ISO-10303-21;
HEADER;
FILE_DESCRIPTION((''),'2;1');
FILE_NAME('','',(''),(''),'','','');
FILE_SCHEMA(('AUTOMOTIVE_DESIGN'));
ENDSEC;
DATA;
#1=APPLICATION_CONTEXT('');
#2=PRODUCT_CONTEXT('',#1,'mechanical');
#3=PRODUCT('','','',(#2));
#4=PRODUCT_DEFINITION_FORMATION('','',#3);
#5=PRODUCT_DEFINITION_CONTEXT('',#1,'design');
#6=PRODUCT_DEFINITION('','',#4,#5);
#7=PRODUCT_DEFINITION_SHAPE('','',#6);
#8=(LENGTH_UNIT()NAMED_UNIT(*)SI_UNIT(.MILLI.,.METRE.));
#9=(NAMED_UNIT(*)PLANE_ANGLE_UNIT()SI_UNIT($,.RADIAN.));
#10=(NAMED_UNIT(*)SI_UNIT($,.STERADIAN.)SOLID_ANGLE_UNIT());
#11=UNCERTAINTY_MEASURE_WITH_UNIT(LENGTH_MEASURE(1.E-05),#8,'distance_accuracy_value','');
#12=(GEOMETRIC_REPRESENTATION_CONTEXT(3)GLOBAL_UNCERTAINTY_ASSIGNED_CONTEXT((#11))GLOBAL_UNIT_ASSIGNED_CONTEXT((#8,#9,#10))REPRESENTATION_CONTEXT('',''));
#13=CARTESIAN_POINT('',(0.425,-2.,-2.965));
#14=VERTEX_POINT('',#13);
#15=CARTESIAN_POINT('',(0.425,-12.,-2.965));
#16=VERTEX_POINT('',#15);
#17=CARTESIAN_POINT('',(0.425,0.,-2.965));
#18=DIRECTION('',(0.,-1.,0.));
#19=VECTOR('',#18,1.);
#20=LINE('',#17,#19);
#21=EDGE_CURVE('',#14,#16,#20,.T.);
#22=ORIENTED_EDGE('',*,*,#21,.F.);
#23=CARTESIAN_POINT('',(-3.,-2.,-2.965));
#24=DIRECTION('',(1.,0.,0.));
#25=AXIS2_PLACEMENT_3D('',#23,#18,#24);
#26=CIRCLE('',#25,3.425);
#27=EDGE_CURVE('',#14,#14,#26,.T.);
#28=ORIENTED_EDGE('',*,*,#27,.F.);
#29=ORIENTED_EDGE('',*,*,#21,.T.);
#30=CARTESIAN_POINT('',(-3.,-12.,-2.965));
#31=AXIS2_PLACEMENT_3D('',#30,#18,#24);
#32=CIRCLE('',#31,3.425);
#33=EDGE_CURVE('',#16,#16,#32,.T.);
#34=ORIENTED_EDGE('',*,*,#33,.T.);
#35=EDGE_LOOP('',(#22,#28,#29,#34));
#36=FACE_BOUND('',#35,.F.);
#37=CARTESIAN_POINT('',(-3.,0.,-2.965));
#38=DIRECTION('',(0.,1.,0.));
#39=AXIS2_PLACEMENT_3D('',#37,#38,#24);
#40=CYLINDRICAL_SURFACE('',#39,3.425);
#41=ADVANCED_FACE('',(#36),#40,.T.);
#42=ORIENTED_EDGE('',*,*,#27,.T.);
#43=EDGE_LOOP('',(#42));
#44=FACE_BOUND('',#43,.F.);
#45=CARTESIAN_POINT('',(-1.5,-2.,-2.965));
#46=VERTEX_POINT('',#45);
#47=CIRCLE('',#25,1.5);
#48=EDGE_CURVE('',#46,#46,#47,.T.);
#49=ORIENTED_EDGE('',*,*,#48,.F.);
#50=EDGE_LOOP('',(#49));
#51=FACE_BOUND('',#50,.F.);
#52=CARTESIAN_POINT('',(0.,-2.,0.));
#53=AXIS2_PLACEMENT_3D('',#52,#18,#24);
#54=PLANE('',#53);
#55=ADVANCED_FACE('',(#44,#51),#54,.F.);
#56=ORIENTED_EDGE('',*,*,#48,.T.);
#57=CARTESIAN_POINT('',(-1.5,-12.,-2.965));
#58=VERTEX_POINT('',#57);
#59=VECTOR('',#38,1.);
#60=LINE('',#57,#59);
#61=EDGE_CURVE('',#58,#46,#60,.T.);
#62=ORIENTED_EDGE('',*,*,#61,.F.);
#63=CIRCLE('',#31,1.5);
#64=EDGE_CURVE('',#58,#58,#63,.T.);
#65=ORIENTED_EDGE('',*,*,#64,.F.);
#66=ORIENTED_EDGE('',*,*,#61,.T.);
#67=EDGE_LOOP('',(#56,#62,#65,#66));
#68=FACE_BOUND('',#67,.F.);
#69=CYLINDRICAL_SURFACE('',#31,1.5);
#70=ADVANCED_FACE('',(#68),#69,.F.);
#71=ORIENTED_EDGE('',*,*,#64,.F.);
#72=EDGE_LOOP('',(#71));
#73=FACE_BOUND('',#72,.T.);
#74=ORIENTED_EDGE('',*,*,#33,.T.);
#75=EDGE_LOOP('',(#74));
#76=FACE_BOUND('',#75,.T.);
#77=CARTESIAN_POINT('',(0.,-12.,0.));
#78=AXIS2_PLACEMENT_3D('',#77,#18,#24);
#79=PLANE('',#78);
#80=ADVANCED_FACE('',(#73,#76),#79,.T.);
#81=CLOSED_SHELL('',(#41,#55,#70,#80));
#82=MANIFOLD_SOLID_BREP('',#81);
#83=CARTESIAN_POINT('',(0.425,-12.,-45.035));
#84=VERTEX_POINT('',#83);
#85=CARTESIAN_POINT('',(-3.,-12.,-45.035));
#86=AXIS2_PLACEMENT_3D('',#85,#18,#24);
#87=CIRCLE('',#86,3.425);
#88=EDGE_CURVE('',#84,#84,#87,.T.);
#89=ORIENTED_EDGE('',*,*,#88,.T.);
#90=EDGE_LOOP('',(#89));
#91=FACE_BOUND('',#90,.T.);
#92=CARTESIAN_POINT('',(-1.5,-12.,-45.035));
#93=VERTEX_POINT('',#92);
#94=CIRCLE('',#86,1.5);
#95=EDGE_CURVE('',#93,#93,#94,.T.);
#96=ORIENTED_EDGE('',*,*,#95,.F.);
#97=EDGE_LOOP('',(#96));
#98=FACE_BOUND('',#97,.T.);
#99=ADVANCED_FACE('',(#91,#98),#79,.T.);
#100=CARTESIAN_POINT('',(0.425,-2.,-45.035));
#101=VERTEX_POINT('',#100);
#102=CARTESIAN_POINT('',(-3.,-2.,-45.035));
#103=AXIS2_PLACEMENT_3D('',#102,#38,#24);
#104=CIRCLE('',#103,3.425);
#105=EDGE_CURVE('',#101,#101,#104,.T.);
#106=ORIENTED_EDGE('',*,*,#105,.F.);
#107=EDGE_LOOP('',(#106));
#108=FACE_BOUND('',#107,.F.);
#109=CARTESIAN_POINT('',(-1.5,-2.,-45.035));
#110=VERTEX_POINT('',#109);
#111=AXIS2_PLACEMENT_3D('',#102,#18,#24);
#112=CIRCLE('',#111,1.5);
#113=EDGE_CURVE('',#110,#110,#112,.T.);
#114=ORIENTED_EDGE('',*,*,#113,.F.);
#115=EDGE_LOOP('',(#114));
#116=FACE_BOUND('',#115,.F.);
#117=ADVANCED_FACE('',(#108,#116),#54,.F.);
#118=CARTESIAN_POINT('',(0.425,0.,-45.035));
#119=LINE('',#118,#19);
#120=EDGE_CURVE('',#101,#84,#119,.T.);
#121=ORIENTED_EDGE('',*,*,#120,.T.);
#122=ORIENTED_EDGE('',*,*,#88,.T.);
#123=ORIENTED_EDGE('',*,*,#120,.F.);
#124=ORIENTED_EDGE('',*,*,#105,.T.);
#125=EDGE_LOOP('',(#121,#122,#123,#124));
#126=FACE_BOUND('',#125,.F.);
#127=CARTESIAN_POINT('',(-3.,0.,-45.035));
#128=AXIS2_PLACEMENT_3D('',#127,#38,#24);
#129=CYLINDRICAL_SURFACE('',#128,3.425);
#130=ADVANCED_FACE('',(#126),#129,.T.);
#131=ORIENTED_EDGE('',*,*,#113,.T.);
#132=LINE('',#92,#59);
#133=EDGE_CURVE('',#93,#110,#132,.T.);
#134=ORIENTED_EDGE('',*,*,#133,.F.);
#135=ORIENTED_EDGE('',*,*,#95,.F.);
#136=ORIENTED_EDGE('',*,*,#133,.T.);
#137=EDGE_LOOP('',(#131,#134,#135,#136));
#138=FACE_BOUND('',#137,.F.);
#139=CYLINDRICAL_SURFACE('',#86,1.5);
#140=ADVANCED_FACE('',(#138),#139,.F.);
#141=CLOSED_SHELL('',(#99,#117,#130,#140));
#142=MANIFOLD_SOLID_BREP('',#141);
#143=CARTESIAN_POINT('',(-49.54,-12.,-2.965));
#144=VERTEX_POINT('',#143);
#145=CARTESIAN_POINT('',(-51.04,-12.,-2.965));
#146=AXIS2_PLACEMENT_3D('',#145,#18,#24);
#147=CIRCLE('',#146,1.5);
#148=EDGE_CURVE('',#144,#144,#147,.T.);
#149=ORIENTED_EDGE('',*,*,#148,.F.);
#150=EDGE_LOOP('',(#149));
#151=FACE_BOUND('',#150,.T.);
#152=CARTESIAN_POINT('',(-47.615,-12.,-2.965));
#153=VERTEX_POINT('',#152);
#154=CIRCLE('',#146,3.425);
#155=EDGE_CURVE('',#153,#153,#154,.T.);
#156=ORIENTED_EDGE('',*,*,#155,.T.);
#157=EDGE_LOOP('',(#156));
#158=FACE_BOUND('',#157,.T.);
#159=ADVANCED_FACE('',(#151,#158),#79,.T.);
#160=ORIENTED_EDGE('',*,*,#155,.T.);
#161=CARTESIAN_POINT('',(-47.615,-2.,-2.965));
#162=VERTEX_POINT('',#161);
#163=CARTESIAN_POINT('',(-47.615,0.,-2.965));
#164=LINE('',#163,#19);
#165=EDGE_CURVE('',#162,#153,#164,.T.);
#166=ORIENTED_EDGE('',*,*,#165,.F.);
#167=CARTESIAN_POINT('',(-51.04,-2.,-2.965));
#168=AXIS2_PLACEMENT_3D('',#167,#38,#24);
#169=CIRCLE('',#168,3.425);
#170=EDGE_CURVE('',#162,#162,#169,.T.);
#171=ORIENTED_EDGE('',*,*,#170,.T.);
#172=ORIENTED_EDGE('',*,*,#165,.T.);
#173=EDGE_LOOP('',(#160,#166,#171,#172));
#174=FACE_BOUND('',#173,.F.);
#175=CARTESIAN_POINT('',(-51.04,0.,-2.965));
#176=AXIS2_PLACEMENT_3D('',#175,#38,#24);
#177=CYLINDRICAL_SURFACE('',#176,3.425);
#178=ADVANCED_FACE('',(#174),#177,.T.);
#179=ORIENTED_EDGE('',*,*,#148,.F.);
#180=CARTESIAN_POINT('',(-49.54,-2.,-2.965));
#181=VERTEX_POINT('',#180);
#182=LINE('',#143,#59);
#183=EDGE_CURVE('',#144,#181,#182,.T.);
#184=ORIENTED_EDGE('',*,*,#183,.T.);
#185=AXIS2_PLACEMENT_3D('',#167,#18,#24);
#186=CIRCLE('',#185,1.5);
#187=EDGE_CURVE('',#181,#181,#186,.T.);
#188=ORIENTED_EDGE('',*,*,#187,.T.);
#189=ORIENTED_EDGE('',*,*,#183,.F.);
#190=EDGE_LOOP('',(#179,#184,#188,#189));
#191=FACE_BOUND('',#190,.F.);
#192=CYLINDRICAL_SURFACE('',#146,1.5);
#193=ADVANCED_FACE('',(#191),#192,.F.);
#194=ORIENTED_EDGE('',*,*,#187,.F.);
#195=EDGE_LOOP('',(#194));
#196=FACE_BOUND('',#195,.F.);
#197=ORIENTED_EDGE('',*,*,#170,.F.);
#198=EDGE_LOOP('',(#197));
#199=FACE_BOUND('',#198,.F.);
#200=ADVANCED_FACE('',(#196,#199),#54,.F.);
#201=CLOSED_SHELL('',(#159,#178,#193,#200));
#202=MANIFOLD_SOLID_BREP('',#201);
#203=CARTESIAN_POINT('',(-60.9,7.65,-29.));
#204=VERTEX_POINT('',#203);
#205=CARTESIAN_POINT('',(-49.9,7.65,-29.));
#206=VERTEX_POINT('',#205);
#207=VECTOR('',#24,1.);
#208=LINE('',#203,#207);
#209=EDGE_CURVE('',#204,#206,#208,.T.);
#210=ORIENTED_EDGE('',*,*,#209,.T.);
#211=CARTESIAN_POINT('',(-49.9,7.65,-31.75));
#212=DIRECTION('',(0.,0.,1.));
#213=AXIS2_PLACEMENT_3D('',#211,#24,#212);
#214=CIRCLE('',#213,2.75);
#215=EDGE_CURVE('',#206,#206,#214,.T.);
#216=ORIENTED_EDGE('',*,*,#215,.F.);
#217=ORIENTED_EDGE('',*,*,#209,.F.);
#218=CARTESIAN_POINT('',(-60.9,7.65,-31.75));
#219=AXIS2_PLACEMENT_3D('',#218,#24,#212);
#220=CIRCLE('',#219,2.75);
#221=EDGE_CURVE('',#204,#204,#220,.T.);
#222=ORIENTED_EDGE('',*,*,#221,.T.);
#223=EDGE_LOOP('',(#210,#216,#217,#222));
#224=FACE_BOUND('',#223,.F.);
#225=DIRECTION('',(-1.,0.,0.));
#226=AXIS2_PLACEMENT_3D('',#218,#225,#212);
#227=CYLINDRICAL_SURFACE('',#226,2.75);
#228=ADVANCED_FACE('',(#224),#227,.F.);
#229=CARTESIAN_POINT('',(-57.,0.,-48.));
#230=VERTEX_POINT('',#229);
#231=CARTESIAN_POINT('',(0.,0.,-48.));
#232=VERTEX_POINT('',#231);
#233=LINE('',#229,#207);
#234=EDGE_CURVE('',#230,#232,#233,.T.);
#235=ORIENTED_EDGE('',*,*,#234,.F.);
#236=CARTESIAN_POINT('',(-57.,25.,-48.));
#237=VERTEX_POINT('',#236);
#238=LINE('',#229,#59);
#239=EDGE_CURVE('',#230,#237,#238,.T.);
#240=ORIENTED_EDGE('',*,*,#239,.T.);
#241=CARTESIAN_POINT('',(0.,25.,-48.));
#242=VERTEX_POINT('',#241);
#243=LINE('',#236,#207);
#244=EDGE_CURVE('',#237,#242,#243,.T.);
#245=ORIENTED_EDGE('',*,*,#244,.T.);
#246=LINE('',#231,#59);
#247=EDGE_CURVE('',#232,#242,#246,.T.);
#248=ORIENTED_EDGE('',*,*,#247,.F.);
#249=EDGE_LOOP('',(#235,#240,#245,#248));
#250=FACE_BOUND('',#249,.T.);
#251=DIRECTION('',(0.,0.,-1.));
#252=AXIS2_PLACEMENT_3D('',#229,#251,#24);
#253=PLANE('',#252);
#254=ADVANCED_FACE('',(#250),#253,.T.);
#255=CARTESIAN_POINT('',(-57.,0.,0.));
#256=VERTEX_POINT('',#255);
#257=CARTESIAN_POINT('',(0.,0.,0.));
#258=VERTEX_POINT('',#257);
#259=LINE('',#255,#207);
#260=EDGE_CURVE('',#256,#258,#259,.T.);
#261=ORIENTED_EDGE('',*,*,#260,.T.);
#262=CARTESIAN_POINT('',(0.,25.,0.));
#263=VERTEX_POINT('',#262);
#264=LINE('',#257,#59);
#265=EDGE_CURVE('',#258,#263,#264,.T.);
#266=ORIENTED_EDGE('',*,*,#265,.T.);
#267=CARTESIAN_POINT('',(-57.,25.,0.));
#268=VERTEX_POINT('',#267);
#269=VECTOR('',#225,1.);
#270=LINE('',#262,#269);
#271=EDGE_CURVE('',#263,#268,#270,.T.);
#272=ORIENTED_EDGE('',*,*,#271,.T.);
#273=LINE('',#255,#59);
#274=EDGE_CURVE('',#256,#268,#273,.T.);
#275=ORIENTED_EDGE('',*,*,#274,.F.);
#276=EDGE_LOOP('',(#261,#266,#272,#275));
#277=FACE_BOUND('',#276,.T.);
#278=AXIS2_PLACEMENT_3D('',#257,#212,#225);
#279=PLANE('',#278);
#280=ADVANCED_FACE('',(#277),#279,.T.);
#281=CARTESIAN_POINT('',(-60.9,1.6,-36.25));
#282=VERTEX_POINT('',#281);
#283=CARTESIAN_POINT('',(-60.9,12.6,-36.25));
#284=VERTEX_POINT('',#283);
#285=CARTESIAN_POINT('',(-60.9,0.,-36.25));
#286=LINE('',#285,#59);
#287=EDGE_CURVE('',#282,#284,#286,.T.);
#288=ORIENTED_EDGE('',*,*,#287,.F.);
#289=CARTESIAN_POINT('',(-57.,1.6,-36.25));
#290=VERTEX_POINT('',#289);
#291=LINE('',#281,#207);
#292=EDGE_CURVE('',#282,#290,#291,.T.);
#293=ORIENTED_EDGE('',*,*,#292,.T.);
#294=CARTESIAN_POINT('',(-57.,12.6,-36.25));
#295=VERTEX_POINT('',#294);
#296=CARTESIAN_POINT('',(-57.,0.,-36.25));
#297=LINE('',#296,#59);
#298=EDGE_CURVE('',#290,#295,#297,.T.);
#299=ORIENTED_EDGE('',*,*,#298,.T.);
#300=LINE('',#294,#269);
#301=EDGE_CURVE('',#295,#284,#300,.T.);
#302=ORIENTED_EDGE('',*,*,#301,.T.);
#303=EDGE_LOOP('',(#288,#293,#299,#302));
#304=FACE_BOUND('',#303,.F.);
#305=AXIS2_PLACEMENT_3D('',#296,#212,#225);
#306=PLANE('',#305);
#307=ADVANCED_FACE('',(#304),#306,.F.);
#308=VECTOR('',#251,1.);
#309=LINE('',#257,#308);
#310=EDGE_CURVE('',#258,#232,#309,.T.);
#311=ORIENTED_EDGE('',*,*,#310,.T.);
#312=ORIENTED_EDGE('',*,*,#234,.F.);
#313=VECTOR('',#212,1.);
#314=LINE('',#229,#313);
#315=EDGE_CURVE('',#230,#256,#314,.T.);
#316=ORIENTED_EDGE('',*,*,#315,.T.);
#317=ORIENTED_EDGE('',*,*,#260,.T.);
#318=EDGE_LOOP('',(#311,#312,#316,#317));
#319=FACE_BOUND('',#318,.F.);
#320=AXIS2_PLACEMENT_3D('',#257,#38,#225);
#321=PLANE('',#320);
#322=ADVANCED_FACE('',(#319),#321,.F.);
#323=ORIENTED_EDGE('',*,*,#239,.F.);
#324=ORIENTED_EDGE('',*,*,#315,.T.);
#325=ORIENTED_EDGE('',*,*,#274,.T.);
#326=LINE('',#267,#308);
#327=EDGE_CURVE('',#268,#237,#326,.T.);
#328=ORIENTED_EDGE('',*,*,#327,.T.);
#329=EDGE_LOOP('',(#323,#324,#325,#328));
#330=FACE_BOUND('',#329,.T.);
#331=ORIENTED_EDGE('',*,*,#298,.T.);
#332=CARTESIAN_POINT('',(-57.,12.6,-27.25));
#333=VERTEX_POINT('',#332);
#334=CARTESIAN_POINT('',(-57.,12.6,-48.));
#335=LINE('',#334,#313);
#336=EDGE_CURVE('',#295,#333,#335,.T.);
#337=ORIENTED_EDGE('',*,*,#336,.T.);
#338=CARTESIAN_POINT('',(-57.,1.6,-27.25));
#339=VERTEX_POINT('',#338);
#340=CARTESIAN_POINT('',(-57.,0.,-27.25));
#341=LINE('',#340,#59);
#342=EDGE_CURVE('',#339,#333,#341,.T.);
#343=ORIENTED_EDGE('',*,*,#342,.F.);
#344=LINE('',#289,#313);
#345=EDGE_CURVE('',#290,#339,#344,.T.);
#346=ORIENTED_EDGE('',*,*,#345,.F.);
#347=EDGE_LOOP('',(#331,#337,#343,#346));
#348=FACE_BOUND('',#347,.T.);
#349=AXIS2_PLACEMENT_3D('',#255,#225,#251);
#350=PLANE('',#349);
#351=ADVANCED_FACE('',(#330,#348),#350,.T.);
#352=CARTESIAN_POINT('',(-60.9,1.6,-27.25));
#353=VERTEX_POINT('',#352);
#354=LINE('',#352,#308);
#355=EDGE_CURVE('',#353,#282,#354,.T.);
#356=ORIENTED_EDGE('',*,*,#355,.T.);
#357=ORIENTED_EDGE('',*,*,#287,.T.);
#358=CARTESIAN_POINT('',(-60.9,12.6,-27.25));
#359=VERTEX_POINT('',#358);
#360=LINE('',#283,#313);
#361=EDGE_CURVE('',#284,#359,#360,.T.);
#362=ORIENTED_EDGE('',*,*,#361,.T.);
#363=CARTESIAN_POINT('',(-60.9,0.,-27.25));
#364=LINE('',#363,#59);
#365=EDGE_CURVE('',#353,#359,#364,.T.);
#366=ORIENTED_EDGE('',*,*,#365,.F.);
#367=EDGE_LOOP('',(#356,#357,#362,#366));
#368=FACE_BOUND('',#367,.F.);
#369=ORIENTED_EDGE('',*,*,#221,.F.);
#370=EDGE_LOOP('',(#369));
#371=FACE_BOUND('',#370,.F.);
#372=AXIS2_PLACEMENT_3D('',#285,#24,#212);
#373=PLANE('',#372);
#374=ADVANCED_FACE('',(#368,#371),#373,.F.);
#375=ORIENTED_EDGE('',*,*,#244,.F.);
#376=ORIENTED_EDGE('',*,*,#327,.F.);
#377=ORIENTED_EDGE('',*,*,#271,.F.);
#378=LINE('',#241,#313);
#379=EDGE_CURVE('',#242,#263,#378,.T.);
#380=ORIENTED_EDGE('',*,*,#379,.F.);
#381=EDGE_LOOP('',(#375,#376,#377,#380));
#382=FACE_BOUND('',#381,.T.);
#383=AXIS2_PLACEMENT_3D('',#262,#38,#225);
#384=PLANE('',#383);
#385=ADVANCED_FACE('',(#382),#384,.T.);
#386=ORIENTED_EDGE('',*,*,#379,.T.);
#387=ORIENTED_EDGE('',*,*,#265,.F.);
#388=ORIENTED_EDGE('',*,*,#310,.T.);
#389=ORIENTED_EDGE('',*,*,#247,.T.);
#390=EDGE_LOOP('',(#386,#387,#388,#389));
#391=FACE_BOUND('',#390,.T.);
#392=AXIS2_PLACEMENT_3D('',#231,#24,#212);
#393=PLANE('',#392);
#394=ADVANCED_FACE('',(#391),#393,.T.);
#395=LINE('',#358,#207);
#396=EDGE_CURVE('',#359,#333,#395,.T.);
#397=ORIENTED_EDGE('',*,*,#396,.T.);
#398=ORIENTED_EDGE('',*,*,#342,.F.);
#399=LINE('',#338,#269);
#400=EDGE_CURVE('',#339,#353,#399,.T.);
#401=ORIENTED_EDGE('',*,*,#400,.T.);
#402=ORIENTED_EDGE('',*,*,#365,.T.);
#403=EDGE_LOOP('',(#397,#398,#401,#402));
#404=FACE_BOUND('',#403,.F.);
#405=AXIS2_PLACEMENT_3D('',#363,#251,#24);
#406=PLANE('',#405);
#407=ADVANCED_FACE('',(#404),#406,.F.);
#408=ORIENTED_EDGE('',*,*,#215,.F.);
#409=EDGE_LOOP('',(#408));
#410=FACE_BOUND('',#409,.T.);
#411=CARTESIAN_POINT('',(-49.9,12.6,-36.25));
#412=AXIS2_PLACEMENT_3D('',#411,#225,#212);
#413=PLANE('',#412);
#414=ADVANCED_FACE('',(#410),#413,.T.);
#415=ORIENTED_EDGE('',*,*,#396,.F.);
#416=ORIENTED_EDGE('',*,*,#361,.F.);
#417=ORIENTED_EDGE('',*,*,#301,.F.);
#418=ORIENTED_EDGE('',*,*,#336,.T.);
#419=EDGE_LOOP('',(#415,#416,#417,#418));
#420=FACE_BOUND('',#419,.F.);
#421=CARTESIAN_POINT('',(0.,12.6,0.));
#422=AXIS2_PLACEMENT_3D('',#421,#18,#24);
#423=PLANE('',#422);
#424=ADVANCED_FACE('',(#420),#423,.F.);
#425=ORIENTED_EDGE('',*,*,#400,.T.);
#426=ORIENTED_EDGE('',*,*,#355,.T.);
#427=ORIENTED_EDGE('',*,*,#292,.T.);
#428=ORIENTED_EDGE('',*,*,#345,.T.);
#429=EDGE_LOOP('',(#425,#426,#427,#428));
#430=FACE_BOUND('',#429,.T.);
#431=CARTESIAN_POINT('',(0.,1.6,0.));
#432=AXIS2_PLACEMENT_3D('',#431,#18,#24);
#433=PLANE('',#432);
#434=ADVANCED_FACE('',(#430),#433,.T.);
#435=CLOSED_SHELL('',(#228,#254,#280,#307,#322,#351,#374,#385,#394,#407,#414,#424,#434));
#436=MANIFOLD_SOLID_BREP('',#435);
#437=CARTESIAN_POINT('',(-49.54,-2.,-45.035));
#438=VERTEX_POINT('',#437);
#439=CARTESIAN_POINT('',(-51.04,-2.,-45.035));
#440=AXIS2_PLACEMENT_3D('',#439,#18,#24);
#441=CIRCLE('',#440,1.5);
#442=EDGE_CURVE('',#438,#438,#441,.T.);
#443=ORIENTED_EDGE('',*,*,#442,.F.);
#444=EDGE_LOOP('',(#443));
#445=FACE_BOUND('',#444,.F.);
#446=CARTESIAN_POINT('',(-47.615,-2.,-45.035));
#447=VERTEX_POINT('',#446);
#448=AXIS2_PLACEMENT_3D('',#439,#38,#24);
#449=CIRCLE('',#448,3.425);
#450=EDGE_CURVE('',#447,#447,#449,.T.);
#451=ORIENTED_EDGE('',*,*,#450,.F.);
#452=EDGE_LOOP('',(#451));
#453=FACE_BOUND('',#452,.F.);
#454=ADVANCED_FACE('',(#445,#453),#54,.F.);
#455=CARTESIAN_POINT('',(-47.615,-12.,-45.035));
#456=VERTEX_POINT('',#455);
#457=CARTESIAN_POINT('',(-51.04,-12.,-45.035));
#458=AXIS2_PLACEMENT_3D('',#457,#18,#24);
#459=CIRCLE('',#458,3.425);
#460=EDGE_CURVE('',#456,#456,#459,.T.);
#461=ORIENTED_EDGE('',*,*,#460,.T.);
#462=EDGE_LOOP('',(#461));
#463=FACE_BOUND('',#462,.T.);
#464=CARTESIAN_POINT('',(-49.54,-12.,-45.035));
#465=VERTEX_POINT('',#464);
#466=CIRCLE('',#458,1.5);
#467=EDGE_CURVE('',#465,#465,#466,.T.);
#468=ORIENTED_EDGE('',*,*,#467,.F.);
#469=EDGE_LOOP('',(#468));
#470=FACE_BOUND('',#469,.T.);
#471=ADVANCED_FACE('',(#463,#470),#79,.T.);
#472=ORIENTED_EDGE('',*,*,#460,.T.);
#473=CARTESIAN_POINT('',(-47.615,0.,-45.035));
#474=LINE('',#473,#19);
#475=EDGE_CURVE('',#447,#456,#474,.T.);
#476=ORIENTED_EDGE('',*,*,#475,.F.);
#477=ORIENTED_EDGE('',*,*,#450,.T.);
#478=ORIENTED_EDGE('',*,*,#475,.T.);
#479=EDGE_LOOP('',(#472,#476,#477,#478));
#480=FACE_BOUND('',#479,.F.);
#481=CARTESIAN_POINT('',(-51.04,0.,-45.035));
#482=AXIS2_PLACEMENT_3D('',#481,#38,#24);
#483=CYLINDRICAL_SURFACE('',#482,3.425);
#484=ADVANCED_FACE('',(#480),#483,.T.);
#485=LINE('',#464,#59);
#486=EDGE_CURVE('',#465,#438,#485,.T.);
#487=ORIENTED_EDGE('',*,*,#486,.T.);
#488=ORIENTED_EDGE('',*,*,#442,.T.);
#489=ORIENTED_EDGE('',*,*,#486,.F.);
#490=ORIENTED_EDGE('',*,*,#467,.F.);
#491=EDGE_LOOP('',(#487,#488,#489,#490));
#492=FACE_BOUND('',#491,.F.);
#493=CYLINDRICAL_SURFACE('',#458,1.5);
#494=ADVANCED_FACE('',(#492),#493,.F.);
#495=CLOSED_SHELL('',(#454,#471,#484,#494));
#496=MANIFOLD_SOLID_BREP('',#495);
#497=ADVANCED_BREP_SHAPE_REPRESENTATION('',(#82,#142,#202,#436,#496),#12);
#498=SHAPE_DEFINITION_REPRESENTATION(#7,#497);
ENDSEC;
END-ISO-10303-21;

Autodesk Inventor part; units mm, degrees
ref_plane "YZ Plane" through (0, 0, 0) normal (1, 0, 0) x (0, 1, 0)
ref_plane "XZ Plane" through (0, 0, 0) normal (0, 1, 0) x (-1, 0, 0)
ref_plane "XY Plane" through (0, 0, 0) normal (0, 0, 1) x (1, 0, 0)
sketch "Sketch1" plane through (0, 0, 0) normal (0, 1, 0) x (-1, 0, 0)
  line L0 (0, 0) -> (57, 0)
  line L1 (57, 0) -> (57, -48)
  line L2 (57, -48) -> (0, -48)
  line L3 (0, -48) -> (0, 0)
  dimension "d0" = 57
  dimension "d1" = 48
extrude "Extrusion1" add sketch "Sketch1" along normal blind 25
sketch "Sketch5" plane through (0, 0, 0) normal (0, -1, 0) x (1, 0, 0)
  circle A0 centre (-3, -2.965) radius 1.5 projected
  circle A1 centre (-3, -2.965) radius 3.425
  circle A2 centre (-3, -45.035) radius 1.5 projected
  circle A3 centre (-3, -45.035) radius 3.425
  circle A4 centre (-51.04, -45.035) radius 1.5 projected
  circle A5 centre (-51.04, -45.035) radius 3.425
  circle A6 centre (-51.04, -2.965) radius 1.5 projected
  circle A7 centre (-51.04, -2.965) radius 3.425
  point P0 (0, 0)
  dimension "d19" = 6.85
  dimension "d20" = 6.85
  dimension "d21" = 6.85
  dimension "d22" = 6.85
extrude "Extrusion5" add sketch "Sketch5" along normal blind 12 contours A0 | A1 | A2 | A3 | A4 | A5 | A6 | A7
sketch "Sketch6" plane through (0, 0, 0) normal (0, -1, 0) x (1, 0, 0)
  line L0 (-57, 0) -> (0, 0) projected
  line L1 (0, 0) -> (-57, 0)
  line L2 (-57, -48) -> (-57, 0) projected
  line L3 (-57, 0) -> (-57, -48)
  line L4 (-57, -48) -> (-57, -36.25)
  line L5 (-57, -36.25) -> (-60.9, -36.25)
  line L6 (-60.9, -36.25) -> (-60.9, -27.25)
  line L7 (-60.9, -27.25) -> (-57, -27.25)
  dimension "d25" = 11.75
  dimension "d26" = 3.9
  dimension "d27" = 9
extrude "Extrusion6" add sketch "Sketch6" against normal blind 12.6
sketch "Sketch7" plane through (0, 0, 0) normal (0, -1, 0) x (1, 0, 0)
  line L0 (-60.9, -27.25) -> (-60.9, -36.25) projected
  line L1 (-60.9, -36.25) -> (-57, -36.25)
  line L2 (-57, -36.25) -> (-57, -27.25)
  line L3 (-57, -27.25) -> (-60.9, -27.25)
  line L4 (-60.9, -27.25) -> (-60.9, -36.25)
  point P0 (0, 0)
extrude "Extrusion7" cut sketch "Sketch7" against normal blind 1.6
sketch "Sketch8" plane through (-60.9, 12.6, -36.25) normal (-1, 0, 0) x (0, 0, 1)
  line L0 (0, -11) -> (0, 0) projected
  line L1 (0, -11) -> (0, -7.7)
  line L2 (0, -7.7) -> (9, -7.7)
  line L3 (9, 0) -> (9, -11) projected
  line L4 (4.5, -7.7) -> (4.5, -4.95)
  circle A0 centre (4.5, -4.95) radius 2.75
  point P0 (36.25, -12.6)
  dimension "d32" = 3.3
  dimension "d33" = 2.75
  dimension "d34" = 5.5
extrude "Extrusion8" cut sketch "Sketch8" against normal blind 11
sketch "Sketch9" plane through (-3, -12, -45.035) normal (0, -1, 0) x (1, 0, 0)
  circle A0 centre (0, 0) radius 1.5 projected
  circle A1 centre (0, 0) radius 1.5
  circle A2 centre (-48.04, 0) radius 1.5 projected
  circle A3 centre (-48.04, 0) radius 1.5
  arc A4 (-1.7145, 45.035) -> (3, 40.4175) centre (0, 42.07) ccw projected
  circle A5 centre (0, 42.07) radius 1.5
  circle A6 centre (-48.04, 42.07) radius 3.425 projected
  circle A7 centre (-48.04, 42.07) radius 1.5
  point P0 (3, 45.035)
  dimension "d37" = 3
  dimension "d38" = 3
  dimension "d39" = 3
  dimension "d40" = 3
extrude "Extrusion9" cut sketch "Sketch9" against normal blind 10 contours A0 | A2 | A5 | A7
sketch "Sketch10" plane through (0, 0, 0) normal (0, -1, 0) x (1, 0, 0)
  circle A0 centre (-3, -2.965) radius 1.5 projected
  circle A1 centre (-3, -2.965) radius 3.425
  circle A2 centre (-3, -45.035) radius 1.5 projected
  circle A3 centre (-3, -45.035) radius 3.7391
  arc A4 (-49.3255, -48) -> (-52.7545, -48) centre (-51.04, -45.035) ccw projected
  circle A5 centre (-51.04, -45.035) radius 4.1753
  circle A6 centre (-51.04, -2.965) radius 1.5 projected
  circle A7 centre (-51.04, -2.965) radius 4.4366
  point P0 (0, 0)
extrude "Extrusion10" cut sketch "Sketch10" along normal blind 2 contours A0 | A1 | A2 | A3 | A5 | A6 | A7
properties part number "U2D2PHB_Board"
